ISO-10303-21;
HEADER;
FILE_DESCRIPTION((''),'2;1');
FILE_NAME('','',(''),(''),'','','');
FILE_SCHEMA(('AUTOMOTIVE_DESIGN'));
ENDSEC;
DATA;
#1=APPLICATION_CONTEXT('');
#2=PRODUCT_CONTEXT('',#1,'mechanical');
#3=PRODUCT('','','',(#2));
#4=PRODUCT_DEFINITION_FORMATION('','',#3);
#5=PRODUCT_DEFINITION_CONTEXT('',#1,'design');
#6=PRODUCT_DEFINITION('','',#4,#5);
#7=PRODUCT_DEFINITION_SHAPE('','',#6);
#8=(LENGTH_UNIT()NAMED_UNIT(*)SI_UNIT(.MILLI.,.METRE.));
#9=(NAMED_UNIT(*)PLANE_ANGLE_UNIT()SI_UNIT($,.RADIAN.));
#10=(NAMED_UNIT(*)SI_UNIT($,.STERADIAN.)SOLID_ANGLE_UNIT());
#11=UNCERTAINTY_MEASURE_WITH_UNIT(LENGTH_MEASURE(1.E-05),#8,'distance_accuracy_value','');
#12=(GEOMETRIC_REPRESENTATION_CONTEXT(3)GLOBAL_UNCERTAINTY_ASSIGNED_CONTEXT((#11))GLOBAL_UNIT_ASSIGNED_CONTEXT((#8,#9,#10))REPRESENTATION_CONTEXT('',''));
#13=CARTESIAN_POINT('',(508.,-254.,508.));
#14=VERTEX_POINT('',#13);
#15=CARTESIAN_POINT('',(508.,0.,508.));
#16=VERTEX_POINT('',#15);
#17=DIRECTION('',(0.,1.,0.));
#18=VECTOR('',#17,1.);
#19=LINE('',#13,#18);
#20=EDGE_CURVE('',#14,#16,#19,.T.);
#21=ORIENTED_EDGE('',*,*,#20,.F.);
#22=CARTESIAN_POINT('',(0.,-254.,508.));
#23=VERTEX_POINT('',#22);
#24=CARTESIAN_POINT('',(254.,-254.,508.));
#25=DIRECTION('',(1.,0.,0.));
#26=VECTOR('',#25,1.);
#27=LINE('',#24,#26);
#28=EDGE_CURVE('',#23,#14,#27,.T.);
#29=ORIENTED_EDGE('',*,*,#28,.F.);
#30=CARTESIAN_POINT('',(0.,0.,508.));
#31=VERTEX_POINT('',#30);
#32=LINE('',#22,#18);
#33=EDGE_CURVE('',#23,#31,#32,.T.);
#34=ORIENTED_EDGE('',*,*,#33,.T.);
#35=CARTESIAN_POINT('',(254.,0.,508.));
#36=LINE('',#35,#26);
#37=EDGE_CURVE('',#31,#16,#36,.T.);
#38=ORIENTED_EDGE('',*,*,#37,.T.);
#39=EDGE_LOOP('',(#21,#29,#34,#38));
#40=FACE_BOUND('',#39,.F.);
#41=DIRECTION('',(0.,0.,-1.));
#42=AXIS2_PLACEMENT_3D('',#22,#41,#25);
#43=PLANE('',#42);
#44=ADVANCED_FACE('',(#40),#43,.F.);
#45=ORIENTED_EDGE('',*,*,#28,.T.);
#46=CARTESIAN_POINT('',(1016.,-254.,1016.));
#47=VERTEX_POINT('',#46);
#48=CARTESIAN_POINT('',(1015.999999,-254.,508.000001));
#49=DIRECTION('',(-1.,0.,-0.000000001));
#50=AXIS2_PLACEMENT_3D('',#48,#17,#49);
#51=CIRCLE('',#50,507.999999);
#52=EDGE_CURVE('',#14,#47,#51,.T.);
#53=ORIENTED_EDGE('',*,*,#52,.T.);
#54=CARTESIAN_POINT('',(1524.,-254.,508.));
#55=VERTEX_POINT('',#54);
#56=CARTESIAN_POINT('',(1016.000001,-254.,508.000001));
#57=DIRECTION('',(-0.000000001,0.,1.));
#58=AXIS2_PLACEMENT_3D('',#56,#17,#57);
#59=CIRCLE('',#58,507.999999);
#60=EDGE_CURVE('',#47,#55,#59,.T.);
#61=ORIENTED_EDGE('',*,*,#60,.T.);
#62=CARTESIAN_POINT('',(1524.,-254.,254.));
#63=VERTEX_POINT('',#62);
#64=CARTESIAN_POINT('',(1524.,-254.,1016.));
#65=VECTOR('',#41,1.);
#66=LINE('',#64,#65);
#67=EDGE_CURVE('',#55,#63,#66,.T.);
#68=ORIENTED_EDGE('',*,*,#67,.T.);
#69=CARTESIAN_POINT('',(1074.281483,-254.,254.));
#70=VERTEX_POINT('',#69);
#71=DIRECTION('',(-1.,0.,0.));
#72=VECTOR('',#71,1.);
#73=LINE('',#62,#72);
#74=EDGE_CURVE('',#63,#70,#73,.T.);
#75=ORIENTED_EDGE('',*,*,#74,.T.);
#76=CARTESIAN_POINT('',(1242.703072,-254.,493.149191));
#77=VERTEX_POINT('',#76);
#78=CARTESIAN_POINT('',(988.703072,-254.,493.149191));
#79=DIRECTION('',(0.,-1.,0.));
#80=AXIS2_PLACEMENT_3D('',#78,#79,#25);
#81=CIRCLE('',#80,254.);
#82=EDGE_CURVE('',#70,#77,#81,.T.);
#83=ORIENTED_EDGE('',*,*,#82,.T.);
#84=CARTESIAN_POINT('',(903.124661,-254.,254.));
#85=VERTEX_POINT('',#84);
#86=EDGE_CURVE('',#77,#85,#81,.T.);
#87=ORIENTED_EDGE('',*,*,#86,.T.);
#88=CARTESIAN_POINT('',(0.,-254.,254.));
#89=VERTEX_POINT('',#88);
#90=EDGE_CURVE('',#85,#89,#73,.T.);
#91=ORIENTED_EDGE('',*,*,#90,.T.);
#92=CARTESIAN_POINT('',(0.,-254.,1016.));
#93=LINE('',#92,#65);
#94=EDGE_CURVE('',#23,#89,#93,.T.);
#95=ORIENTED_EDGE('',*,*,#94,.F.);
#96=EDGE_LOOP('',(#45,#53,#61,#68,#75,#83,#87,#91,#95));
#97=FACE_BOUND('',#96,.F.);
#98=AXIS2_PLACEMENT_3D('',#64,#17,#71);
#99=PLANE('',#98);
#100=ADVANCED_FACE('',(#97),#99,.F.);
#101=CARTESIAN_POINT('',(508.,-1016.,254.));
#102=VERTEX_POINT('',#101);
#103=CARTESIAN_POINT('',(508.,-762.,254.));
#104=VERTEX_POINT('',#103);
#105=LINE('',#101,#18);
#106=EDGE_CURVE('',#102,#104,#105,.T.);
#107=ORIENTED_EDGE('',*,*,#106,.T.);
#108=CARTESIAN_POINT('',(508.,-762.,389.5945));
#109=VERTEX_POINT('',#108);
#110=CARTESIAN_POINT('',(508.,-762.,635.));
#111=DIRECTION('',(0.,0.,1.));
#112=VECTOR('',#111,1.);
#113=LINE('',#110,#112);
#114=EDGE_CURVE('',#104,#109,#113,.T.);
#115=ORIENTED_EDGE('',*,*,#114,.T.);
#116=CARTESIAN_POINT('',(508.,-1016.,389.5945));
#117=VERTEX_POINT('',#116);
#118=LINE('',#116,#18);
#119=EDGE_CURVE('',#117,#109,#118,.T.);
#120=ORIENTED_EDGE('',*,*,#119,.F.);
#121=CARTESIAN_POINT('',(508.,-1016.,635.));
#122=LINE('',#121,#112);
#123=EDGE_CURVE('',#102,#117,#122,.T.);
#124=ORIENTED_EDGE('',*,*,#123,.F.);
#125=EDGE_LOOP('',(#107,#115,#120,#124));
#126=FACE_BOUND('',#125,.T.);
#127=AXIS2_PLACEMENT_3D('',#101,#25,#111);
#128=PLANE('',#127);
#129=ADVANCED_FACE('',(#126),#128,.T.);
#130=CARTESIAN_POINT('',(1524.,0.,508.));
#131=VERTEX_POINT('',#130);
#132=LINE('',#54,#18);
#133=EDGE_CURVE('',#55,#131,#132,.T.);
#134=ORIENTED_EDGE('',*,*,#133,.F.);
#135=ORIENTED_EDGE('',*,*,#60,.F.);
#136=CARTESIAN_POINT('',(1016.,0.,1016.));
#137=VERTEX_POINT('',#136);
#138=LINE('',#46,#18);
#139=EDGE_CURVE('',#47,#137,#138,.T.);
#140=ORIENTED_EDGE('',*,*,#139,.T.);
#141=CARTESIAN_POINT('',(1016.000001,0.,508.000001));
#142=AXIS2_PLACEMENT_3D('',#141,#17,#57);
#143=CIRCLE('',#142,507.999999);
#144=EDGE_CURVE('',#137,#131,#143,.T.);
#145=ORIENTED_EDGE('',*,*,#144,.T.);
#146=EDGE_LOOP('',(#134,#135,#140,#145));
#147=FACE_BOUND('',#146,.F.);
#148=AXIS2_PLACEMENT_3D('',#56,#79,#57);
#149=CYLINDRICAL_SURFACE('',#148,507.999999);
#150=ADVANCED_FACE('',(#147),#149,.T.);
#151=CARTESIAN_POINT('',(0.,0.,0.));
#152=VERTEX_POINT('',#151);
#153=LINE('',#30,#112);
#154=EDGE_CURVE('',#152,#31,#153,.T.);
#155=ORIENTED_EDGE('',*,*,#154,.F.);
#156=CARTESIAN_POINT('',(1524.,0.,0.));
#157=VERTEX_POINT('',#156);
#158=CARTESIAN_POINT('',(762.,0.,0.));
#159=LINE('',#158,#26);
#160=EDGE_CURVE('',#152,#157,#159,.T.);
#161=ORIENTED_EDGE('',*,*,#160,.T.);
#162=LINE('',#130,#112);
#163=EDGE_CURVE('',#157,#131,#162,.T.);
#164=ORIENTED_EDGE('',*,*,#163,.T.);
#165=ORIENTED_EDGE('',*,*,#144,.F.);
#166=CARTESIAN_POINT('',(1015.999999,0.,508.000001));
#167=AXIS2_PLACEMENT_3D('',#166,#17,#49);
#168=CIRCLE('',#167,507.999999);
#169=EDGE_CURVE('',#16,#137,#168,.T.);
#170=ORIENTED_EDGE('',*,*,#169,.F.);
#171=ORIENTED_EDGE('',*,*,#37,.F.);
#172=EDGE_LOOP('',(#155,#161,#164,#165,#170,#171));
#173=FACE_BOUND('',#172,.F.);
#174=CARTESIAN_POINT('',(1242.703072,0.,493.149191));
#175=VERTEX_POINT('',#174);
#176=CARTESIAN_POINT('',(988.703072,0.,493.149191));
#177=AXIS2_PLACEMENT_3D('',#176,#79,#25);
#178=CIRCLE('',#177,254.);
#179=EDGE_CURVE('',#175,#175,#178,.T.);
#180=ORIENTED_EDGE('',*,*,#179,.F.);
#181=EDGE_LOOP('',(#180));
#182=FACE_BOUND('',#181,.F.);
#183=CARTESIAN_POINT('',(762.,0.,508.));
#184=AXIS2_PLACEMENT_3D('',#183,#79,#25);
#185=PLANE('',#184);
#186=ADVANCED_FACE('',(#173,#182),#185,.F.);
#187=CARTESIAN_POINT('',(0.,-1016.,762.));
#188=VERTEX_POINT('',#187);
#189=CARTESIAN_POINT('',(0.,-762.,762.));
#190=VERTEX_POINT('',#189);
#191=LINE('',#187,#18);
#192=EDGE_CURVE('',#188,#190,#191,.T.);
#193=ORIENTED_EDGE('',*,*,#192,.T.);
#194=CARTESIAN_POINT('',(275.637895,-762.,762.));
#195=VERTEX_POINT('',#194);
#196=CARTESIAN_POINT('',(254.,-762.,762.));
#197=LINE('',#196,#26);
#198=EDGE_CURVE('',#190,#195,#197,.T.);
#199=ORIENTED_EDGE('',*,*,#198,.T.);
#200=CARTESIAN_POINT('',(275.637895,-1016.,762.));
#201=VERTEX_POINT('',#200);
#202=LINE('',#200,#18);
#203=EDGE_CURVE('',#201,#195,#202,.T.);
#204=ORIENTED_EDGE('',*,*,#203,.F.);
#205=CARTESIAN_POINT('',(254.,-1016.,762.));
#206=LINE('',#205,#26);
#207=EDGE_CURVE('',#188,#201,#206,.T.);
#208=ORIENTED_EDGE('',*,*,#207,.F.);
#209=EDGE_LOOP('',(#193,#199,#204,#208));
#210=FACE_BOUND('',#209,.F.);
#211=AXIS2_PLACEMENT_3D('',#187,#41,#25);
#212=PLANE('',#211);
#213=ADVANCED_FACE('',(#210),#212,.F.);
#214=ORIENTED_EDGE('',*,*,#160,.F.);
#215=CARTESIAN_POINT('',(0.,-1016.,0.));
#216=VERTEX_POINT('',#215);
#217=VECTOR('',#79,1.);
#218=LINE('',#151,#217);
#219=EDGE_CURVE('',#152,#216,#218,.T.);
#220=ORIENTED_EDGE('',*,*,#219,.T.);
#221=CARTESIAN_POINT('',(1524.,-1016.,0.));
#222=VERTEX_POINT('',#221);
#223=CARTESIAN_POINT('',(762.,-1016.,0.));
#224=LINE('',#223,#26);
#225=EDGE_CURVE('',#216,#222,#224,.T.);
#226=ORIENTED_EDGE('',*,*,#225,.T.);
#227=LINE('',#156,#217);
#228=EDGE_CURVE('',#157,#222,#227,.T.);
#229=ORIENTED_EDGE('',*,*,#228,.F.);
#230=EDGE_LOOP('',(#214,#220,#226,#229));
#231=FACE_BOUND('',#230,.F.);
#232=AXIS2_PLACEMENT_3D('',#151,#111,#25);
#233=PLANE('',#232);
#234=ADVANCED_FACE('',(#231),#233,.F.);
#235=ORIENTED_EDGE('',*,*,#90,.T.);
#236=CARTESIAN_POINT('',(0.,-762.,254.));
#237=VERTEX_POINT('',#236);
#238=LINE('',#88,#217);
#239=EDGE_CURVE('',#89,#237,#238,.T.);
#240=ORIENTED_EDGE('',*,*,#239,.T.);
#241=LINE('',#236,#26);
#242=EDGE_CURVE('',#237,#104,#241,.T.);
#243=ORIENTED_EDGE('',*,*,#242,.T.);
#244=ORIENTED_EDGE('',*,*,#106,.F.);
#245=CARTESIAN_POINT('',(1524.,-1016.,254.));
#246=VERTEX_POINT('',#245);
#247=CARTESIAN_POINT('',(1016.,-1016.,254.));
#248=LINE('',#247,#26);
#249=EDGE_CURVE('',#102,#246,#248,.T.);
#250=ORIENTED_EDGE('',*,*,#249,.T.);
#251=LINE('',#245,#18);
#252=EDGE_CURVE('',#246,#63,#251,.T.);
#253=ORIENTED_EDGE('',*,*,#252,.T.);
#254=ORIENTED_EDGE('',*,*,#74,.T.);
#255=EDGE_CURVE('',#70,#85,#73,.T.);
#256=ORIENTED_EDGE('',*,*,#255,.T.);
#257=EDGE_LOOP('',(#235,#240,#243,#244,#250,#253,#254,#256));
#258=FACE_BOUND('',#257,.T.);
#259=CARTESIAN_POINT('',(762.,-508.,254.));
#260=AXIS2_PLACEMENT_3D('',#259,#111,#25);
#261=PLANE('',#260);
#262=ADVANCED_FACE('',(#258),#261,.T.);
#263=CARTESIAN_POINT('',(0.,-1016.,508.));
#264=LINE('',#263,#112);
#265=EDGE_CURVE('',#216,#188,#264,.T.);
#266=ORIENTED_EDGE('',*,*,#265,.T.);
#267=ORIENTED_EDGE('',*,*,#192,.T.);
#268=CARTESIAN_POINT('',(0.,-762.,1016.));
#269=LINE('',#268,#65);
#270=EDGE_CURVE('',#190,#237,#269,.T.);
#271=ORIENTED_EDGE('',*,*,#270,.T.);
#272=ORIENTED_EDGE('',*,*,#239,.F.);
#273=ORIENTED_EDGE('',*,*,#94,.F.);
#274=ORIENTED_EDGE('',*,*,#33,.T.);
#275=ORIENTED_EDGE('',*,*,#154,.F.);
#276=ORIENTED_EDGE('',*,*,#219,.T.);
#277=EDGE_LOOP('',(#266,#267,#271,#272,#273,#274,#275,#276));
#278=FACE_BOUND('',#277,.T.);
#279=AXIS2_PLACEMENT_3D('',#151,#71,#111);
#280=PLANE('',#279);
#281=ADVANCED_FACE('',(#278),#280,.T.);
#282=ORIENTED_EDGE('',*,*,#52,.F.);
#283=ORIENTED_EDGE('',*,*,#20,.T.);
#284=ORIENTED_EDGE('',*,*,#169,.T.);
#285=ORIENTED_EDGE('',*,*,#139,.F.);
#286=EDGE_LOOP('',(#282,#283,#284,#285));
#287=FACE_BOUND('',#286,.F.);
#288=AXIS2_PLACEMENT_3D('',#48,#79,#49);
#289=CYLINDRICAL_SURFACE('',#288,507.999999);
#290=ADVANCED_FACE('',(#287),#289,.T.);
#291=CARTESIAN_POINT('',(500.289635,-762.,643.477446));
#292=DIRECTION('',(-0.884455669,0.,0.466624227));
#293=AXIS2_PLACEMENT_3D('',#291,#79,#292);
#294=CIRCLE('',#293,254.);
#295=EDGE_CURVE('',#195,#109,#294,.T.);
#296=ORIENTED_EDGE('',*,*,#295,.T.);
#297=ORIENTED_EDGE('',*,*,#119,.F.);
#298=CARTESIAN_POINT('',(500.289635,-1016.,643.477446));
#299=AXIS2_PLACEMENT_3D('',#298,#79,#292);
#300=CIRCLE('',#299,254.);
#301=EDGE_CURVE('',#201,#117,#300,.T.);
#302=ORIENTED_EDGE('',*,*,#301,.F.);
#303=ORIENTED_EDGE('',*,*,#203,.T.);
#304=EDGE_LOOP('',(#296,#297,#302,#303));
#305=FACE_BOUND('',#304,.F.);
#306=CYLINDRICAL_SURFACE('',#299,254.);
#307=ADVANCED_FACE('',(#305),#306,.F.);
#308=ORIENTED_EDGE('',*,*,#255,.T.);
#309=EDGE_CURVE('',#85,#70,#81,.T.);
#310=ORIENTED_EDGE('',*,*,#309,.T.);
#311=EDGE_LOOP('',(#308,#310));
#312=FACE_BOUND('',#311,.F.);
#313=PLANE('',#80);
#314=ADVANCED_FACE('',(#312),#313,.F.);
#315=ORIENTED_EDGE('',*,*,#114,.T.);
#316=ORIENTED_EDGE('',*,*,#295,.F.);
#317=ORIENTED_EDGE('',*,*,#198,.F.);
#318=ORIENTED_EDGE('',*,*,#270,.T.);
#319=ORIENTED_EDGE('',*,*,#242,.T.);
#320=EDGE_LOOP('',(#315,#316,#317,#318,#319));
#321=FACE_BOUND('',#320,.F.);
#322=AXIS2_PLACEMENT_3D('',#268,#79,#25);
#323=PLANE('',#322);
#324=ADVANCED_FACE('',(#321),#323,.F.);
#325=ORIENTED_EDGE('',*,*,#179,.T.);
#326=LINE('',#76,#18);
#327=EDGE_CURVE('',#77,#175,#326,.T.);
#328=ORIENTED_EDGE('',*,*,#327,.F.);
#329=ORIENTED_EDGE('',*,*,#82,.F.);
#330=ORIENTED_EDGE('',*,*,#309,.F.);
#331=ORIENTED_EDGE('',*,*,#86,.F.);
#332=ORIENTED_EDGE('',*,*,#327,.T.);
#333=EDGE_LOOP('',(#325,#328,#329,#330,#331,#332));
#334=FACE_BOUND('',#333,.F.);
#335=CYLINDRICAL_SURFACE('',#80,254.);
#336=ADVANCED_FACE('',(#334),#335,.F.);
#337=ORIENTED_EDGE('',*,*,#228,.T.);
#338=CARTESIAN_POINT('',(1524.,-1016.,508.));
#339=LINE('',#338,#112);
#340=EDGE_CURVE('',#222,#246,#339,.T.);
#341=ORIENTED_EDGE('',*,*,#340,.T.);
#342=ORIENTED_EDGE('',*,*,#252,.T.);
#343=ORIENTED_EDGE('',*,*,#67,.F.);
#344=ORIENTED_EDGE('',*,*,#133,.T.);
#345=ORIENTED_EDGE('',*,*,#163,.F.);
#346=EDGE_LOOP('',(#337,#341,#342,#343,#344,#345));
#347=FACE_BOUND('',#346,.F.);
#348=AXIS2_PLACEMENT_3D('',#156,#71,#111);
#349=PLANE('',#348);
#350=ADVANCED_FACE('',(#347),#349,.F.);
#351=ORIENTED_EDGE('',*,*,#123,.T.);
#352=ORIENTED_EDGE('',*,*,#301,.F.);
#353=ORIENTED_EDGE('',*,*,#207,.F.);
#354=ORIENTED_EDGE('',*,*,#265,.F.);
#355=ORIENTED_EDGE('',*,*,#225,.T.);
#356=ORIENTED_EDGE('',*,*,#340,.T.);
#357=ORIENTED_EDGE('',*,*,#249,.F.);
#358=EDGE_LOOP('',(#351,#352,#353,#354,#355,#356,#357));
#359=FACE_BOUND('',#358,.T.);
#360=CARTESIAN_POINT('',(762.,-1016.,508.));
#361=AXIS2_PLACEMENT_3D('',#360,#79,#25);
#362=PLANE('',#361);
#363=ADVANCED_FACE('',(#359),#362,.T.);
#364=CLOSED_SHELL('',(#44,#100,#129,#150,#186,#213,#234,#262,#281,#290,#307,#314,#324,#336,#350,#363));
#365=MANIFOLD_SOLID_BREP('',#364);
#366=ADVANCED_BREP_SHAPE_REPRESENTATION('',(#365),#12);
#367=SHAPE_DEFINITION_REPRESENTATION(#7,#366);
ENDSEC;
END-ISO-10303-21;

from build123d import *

# Parameters (mm, degrees)
F0_W      = 1524
F0_H      = 1016
F1_DEPTH  = 1016
F2_W      = 1016
F2_H      = 762
F3_DEPTH  = 254
F5_DEPTH  = 762
F6_W      = 508
F6_H      = 254
F7_DEPTH  = 254
F8_W      = 508
F8_H      = 508
F9_DEPTH  = 254
F11_DEPTH = 254
F12_R     = 254
F13_DEPTH = 254
F15_DEPTH = 254


with BuildPart() as f1:
    # F0 (on Front) → F1 (new body)
    with BuildSketch(Plane.XZ):
        with Locations((762, 508)):
            Rectangle(F0_W, F0_H)
    extrude(amount=F1_DEPTH)

    # F2 (on face) → F3 (cut)
    with BuildSketch(Plane.XZ.offset(1016)):
        with Locations((1016, 635)):
            Rectangle(F2_W, F2_H)
    extrude(amount=-F3_DEPTH, mode=Mode.SUBTRACT)

    # F4 (on face) → F5 (cut)
    with BuildSketch(Plane.XY.offset(1016)):
        Polygon((0, -762), (508, -762), (1524, -762), (1524, -254), (0, -254), align=None)
    extrude(amount=-F5_DEPTH, mode=Mode.SUBTRACT)

    # F6 (on face) → F7 (cut)
    with BuildSketch(Plane.XZ.offset(1016)):
        with Locations((254, 889)):
            Rectangle(F6_W, F6_H)
    extrude(amount=-F7_DEPTH, mode=Mode.SUBTRACT)

    # F8 (on face) → F9 (cut)
    with BuildSketch(Plane.XZ.offset(254)):
        with Locations((254, 762)):
            Rectangle(F8_W, F8_H)
    extrude(amount=-F9_DEPTH, mode=Mode.SUBTRACT)

    # F10 (on face) → F11 (cut)
    with BuildSketch(Plane.XZ.offset(254)):
        with BuildLine():
            Line((1524, 1016), (1016, 1016))
            ThreePointArc((1016, 1016), (1375.210245, 867.210245), (1524, 508))
            Line((1524, 508), (1524, 1016))
        make_face()
        with BuildLine():
            Line((508, 1016), (508, 508))
            ThreePointArc((508, 508), (656.789755, 867.210245), (1016, 1016))
            Line((1016, 1016), (508, 1016))
        make_face()
    extrude(amount=-F11_DEPTH, mode=Mode.SUBTRACT)

    # F12 (on face) → F13 (cut)
    with BuildSketch(Plane.XZ.offset(254)):
        with Locations((988.703072, 493.149191)):
            Circle(F12_R)
    extrude(amount=-F13_DEPTH, mode=Mode.SUBTRACT)

    # F14 (on face) → F15 (cut)
    with BuildSketch(Plane.XZ.offset(1016)):
        with BuildLine():
            Line((508, 762), (275.637895, 762))
            ThreePointArc((275.637895, 762), (284.796354, 509.020591), (508, 389.5945))
            Line((508, 389.5945), (508, 762))
        make_face()
    extrude(amount=-F15_DEPTH, mode=Mode.SUBTRACT)


solid = f1.part
